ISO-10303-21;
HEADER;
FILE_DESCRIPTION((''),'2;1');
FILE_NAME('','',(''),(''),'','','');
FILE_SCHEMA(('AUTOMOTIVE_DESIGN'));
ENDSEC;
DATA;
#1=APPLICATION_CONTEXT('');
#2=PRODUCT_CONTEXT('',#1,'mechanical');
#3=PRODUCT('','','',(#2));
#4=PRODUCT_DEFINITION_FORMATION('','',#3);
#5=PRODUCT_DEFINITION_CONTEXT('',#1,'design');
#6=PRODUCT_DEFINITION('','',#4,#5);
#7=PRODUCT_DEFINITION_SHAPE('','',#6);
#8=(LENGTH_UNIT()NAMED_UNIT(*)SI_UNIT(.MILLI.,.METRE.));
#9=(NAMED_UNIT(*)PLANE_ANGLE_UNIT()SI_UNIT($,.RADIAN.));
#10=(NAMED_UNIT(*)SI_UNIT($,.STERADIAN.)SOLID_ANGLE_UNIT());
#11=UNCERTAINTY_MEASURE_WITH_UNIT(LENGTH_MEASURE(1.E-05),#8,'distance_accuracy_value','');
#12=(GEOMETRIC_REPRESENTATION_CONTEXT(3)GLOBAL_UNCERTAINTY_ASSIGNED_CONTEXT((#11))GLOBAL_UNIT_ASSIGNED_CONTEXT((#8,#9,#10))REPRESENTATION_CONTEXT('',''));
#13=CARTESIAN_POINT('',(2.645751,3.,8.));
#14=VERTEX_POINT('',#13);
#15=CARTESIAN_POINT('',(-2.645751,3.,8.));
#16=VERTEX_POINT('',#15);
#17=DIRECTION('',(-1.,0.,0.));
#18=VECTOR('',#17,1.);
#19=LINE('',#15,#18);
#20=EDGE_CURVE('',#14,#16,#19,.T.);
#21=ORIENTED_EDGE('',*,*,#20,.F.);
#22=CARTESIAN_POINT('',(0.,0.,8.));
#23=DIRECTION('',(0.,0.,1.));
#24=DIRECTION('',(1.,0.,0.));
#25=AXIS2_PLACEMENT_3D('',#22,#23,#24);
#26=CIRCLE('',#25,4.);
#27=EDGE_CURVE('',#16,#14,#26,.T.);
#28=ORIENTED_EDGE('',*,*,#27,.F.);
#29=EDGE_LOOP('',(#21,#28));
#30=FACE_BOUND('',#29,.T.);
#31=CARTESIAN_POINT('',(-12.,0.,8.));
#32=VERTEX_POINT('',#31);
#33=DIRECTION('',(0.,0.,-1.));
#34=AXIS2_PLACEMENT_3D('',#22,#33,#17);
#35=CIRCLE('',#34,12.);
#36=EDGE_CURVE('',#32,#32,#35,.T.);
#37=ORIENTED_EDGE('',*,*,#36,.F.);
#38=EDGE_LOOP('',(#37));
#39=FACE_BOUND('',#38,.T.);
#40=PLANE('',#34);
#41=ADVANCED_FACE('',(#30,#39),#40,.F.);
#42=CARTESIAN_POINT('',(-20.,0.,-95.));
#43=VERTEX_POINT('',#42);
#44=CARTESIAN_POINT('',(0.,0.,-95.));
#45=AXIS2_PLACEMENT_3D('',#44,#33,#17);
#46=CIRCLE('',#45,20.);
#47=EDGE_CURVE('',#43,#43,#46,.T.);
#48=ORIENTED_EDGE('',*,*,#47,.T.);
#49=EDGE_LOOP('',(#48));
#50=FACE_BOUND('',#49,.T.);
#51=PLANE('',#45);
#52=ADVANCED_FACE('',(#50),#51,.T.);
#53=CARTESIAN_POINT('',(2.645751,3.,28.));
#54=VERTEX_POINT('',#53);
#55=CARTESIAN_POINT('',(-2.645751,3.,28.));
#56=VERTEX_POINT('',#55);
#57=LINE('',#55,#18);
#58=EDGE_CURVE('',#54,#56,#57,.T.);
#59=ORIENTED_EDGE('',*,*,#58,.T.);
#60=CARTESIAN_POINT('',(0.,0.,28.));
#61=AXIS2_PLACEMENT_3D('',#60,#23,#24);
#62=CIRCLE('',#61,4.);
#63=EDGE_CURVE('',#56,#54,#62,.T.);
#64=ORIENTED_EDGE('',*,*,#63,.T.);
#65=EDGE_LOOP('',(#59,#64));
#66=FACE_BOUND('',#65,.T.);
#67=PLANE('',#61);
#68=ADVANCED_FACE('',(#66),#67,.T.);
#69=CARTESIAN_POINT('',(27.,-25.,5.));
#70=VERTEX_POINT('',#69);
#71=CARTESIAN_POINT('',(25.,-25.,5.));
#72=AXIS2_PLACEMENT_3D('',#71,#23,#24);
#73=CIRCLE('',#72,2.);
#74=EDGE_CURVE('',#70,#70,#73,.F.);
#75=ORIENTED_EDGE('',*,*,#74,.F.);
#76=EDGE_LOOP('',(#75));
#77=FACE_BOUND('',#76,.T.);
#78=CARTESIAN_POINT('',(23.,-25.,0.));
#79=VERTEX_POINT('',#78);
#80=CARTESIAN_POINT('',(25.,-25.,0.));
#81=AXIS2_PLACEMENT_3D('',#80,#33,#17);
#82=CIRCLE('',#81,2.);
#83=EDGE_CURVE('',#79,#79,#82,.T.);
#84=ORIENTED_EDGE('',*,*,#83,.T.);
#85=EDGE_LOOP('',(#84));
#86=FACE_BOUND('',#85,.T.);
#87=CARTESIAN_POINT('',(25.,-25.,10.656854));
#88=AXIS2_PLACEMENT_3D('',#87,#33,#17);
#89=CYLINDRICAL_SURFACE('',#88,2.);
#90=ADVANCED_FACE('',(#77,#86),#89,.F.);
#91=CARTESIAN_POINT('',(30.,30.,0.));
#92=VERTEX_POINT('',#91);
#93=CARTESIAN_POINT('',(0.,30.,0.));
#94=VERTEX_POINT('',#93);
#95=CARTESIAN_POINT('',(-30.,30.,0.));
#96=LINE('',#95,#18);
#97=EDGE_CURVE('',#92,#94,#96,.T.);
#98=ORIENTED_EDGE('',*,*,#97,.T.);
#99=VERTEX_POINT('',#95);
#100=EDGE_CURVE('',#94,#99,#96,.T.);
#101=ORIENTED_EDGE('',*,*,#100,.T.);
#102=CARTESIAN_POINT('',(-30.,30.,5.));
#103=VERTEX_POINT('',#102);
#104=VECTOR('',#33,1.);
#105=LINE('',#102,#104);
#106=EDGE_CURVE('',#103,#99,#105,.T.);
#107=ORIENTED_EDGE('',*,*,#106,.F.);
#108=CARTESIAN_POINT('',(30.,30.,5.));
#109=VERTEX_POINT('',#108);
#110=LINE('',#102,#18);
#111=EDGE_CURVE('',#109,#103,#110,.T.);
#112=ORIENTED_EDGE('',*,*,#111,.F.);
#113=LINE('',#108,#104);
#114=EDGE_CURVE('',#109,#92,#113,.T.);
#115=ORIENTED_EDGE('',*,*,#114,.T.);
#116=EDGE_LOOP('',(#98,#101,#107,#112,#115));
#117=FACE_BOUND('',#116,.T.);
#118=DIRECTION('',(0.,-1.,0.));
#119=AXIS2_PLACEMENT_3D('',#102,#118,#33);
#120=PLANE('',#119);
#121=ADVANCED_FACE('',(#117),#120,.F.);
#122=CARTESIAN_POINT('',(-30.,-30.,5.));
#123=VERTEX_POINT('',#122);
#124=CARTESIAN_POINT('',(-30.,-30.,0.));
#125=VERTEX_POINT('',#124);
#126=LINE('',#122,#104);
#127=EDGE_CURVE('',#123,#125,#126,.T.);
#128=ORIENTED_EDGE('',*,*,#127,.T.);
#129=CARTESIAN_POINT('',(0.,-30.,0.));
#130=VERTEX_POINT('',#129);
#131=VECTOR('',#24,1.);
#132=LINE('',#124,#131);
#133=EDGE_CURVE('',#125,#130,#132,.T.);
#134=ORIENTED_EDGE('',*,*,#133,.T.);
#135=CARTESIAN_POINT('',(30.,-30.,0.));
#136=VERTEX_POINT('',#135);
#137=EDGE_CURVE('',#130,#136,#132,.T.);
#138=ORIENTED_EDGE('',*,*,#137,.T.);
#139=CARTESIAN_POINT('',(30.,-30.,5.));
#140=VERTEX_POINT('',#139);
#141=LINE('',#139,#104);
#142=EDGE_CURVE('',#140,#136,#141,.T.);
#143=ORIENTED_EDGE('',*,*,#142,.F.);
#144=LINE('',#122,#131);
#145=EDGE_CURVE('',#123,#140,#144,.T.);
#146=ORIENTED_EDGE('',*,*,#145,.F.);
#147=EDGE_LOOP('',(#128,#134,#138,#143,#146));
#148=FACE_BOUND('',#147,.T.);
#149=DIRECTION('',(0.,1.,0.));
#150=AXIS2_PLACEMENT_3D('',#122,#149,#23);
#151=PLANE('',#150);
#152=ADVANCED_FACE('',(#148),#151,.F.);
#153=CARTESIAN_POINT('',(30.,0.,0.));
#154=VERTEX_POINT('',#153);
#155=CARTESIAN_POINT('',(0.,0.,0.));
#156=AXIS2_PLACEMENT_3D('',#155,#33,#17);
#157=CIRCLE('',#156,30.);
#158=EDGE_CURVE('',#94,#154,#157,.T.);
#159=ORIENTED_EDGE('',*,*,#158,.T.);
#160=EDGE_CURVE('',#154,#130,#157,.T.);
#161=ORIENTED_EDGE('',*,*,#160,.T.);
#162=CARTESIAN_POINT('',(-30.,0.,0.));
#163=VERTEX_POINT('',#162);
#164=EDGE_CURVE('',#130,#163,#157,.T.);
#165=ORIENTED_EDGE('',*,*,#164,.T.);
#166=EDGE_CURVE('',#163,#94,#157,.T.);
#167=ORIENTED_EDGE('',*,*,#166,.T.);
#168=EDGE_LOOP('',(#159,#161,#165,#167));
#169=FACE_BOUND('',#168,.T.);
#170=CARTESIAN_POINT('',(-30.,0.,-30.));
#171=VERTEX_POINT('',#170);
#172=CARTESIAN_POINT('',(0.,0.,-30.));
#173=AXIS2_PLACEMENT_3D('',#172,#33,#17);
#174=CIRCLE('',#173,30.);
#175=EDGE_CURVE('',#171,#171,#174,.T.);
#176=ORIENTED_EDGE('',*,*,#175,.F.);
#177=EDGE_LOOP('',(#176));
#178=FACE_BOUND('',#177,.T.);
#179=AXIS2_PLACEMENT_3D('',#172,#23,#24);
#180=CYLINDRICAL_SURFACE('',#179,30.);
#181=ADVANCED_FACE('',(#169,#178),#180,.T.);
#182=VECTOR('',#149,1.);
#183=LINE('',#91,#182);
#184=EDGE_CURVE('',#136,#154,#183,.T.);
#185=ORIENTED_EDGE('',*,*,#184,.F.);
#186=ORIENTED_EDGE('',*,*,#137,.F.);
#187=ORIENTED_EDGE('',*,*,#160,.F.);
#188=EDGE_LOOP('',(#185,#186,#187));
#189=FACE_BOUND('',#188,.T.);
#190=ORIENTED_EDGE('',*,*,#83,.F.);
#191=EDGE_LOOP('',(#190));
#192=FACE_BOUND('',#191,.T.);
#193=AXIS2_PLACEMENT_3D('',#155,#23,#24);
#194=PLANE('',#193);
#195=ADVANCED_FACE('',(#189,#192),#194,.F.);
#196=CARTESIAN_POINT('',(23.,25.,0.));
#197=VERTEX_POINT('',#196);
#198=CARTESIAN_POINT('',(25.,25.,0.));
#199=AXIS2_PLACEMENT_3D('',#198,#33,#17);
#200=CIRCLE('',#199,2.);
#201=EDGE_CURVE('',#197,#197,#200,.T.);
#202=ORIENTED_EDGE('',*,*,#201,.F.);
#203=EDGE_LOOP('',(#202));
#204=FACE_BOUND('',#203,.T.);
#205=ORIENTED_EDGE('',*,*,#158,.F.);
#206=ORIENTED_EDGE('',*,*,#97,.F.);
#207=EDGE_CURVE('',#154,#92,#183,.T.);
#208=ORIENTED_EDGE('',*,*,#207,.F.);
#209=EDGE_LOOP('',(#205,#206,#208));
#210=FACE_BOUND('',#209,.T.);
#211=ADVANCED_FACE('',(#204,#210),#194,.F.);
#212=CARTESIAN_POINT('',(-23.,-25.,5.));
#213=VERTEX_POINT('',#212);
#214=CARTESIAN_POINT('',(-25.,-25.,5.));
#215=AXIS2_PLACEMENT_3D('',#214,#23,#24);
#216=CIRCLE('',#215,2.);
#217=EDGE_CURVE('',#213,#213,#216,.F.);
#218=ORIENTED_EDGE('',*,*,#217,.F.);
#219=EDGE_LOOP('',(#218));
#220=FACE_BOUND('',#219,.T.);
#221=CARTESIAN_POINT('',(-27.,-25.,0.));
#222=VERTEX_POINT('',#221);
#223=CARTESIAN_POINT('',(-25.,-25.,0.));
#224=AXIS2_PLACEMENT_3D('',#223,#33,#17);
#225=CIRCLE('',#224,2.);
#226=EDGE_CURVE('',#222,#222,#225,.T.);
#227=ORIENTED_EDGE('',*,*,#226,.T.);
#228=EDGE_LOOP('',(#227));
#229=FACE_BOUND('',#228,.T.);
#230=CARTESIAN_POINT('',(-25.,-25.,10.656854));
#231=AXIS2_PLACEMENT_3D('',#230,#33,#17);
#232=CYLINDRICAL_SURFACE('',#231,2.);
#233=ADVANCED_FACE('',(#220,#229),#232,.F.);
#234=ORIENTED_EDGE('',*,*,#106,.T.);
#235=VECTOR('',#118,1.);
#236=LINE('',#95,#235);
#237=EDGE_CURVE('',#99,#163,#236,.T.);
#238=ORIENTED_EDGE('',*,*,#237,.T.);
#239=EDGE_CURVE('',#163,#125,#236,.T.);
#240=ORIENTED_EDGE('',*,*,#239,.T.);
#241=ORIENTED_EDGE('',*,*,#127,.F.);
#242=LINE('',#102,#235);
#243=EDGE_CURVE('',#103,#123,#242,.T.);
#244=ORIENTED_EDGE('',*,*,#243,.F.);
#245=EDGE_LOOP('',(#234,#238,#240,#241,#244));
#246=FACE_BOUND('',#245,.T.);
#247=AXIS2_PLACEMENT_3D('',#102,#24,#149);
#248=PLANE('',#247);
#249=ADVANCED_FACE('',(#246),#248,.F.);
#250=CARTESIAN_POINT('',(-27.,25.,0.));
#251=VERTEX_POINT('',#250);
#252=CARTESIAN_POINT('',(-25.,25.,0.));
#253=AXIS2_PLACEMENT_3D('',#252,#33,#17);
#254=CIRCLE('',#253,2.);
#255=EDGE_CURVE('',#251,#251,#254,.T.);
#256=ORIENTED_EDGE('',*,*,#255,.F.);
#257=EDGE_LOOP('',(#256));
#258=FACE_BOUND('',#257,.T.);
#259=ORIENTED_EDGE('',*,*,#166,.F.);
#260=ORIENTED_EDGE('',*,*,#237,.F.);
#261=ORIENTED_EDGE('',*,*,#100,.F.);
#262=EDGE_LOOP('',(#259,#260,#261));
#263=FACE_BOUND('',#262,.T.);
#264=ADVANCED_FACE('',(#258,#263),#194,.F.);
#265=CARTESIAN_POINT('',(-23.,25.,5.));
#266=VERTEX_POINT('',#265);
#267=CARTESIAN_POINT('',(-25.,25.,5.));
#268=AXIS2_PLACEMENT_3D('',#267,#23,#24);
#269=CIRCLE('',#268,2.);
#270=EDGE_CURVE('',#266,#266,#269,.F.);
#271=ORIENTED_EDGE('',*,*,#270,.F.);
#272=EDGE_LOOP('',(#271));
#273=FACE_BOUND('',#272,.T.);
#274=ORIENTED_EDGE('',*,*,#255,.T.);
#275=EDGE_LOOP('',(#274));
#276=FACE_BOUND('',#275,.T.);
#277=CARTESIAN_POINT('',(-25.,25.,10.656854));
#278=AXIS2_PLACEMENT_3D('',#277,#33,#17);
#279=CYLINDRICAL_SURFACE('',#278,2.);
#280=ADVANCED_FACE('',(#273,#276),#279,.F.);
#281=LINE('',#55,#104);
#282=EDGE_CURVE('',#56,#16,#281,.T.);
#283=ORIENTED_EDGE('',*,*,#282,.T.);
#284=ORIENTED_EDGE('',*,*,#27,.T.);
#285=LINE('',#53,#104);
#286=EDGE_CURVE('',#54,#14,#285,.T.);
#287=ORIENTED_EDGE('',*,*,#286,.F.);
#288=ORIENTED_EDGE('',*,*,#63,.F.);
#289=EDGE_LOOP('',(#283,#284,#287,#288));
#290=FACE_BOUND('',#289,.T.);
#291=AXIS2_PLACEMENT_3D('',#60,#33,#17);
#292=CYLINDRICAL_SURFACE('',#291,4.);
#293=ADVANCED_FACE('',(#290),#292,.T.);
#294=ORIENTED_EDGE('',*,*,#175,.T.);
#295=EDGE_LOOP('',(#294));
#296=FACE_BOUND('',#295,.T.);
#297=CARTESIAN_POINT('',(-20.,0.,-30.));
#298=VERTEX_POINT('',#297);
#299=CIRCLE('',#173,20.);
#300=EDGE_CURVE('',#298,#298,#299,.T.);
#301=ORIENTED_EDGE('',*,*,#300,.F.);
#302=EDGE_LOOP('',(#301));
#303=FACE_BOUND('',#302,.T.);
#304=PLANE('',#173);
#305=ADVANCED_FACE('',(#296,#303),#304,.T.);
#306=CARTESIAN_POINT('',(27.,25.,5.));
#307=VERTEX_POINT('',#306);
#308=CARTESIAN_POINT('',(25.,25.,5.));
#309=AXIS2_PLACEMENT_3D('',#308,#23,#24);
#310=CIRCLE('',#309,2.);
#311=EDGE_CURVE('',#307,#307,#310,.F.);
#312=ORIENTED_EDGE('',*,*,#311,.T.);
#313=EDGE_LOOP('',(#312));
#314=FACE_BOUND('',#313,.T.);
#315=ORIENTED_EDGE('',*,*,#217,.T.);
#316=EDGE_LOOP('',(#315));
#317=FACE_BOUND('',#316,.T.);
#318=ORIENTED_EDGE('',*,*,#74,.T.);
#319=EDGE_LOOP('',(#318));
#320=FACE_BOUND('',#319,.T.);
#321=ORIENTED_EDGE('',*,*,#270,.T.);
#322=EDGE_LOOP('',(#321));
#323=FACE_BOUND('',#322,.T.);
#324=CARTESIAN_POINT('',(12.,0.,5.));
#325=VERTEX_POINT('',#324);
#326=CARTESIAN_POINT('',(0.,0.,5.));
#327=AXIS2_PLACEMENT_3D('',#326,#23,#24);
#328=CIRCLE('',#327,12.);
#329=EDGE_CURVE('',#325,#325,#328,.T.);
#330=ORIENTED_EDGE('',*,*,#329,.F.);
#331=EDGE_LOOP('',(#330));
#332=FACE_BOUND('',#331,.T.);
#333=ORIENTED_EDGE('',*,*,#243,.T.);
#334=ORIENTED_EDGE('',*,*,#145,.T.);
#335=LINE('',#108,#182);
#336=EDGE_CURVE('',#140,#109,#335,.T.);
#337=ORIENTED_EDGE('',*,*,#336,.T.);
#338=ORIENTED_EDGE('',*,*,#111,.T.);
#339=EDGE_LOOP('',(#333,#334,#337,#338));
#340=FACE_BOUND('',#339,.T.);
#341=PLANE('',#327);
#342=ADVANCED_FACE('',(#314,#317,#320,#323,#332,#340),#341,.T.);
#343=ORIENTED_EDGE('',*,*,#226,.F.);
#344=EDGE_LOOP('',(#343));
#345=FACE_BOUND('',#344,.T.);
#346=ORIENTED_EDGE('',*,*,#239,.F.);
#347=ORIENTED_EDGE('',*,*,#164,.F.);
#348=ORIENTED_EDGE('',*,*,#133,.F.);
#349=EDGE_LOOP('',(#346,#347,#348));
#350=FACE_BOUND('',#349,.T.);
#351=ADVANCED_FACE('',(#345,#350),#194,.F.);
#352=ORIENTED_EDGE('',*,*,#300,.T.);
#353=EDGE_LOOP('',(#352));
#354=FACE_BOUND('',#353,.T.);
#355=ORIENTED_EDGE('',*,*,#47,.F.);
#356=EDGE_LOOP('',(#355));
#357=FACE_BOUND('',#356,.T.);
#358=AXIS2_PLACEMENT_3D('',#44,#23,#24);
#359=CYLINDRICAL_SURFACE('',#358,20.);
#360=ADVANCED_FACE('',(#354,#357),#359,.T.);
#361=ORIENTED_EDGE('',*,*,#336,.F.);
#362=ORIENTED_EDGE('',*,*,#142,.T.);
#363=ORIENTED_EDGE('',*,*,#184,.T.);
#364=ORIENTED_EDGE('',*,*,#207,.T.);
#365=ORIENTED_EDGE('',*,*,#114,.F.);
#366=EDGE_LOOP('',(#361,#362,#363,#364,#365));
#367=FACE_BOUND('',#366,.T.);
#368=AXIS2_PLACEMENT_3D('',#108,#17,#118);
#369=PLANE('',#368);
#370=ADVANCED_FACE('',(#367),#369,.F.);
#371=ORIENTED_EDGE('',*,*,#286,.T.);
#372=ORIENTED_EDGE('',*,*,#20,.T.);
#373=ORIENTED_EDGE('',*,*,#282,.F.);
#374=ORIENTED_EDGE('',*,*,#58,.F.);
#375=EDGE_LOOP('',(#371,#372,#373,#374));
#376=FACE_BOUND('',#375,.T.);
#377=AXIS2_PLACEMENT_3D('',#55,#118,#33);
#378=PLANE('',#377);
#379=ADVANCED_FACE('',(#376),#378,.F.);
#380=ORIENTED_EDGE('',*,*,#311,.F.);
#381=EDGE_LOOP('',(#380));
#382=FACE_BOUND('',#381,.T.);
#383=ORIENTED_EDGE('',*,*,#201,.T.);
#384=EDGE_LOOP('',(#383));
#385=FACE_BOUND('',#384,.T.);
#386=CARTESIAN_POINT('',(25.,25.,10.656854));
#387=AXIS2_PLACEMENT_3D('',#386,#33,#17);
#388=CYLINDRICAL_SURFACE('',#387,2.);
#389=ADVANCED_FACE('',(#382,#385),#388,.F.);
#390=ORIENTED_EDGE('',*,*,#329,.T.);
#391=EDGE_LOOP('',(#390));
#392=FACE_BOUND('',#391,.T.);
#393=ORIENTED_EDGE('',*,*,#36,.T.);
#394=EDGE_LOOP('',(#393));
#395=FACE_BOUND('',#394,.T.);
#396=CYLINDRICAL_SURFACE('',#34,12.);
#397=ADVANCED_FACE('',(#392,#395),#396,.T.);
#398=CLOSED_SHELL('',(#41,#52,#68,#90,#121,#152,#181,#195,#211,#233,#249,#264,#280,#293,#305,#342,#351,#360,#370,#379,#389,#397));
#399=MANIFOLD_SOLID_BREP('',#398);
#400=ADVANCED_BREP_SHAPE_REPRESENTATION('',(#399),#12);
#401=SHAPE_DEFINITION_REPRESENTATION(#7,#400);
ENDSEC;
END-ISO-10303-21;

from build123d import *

# Parameters (mm, degrees)
SKETCH1_W           = 60
SKETCH1_H           = 60
BOSS_EXTRUDE1_DEPTH = 5
SKETCH2_R           = 2
HOLE_DEPTH          = 5
SKETCH3_R           = 12
BOSS_EXTRUDE2_DEPTH = 8
SHAFT_DEPTH         = 20
SKETCH5_R           = 30
GEAR_DEPTH          = 30
SKETCH6_R           = 20
MOTOR_DEPTH         = 65


with BuildPart() as part:
    # Sketch1 → Boss-Extrude1 (new body)
    with BuildSketch(Plane.XY):
        Rectangle(SKETCH1_W, SKETCH1_H)
    extrude(amount=BOSS_EXTRUDE1_DEPTH)

    # Sketch2 → hole (cut)
    with BuildSketch(Plane(origin=(0, 0, 0), x_dir=(-1, 0, 0), z_dir=(0, 0, -1))):
        with Locations((-25, 25)):
            Circle(SKETCH2_R)
        with Locations((25, 25)):
            Circle(SKETCH2_R)
        with Locations((25, -25)):
            Circle(SKETCH2_R)
        with Locations((-25, -25)):
            Circle(SKETCH2_R)
    extrude(amount=-HOLE_DEPTH, mode=Mode.SUBTRACT)

    # Sketch3 → Boss-Extrude2 (add)
    with BuildSketch(Plane(origin=(0, 0, 0), x_dir=(-1, 0, 0), z_dir=(0, 0, -1))):
        Circle(SKETCH3_R)
    extrude(amount=-BOSS_EXTRUDE2_DEPTH)

    # Sketch4 → shaft (add)
    with BuildSketch(Plane.XY.offset(8)):
        with BuildLine():
            Line((-2.645751311, 3), (2.645751311, 3))
            ThreePointArc((2.645751311, 3), (0, -4), (-2.645751311, 3))
        make_face()
    extrude(amount=SHAFT_DEPTH)

    # Sketch5 → gear (add)
    with BuildSketch(Plane(origin=(0, 0, 0), x_dir=(-1, 0, 0), z_dir=(0, 0, -1))):
        Circle(SKETCH5_R)
    extrude(amount=GEAR_DEPTH)

    # Sketch6 → motor (add)
    with BuildSketch(Plane(origin=(0, 0, -30), x_dir=(-1, 0, 0), z_dir=(0, 0, -1))):
        Circle(SKETCH6_R)
    extrude(amount=MOTOR_DEPTH)


solid = part.part
